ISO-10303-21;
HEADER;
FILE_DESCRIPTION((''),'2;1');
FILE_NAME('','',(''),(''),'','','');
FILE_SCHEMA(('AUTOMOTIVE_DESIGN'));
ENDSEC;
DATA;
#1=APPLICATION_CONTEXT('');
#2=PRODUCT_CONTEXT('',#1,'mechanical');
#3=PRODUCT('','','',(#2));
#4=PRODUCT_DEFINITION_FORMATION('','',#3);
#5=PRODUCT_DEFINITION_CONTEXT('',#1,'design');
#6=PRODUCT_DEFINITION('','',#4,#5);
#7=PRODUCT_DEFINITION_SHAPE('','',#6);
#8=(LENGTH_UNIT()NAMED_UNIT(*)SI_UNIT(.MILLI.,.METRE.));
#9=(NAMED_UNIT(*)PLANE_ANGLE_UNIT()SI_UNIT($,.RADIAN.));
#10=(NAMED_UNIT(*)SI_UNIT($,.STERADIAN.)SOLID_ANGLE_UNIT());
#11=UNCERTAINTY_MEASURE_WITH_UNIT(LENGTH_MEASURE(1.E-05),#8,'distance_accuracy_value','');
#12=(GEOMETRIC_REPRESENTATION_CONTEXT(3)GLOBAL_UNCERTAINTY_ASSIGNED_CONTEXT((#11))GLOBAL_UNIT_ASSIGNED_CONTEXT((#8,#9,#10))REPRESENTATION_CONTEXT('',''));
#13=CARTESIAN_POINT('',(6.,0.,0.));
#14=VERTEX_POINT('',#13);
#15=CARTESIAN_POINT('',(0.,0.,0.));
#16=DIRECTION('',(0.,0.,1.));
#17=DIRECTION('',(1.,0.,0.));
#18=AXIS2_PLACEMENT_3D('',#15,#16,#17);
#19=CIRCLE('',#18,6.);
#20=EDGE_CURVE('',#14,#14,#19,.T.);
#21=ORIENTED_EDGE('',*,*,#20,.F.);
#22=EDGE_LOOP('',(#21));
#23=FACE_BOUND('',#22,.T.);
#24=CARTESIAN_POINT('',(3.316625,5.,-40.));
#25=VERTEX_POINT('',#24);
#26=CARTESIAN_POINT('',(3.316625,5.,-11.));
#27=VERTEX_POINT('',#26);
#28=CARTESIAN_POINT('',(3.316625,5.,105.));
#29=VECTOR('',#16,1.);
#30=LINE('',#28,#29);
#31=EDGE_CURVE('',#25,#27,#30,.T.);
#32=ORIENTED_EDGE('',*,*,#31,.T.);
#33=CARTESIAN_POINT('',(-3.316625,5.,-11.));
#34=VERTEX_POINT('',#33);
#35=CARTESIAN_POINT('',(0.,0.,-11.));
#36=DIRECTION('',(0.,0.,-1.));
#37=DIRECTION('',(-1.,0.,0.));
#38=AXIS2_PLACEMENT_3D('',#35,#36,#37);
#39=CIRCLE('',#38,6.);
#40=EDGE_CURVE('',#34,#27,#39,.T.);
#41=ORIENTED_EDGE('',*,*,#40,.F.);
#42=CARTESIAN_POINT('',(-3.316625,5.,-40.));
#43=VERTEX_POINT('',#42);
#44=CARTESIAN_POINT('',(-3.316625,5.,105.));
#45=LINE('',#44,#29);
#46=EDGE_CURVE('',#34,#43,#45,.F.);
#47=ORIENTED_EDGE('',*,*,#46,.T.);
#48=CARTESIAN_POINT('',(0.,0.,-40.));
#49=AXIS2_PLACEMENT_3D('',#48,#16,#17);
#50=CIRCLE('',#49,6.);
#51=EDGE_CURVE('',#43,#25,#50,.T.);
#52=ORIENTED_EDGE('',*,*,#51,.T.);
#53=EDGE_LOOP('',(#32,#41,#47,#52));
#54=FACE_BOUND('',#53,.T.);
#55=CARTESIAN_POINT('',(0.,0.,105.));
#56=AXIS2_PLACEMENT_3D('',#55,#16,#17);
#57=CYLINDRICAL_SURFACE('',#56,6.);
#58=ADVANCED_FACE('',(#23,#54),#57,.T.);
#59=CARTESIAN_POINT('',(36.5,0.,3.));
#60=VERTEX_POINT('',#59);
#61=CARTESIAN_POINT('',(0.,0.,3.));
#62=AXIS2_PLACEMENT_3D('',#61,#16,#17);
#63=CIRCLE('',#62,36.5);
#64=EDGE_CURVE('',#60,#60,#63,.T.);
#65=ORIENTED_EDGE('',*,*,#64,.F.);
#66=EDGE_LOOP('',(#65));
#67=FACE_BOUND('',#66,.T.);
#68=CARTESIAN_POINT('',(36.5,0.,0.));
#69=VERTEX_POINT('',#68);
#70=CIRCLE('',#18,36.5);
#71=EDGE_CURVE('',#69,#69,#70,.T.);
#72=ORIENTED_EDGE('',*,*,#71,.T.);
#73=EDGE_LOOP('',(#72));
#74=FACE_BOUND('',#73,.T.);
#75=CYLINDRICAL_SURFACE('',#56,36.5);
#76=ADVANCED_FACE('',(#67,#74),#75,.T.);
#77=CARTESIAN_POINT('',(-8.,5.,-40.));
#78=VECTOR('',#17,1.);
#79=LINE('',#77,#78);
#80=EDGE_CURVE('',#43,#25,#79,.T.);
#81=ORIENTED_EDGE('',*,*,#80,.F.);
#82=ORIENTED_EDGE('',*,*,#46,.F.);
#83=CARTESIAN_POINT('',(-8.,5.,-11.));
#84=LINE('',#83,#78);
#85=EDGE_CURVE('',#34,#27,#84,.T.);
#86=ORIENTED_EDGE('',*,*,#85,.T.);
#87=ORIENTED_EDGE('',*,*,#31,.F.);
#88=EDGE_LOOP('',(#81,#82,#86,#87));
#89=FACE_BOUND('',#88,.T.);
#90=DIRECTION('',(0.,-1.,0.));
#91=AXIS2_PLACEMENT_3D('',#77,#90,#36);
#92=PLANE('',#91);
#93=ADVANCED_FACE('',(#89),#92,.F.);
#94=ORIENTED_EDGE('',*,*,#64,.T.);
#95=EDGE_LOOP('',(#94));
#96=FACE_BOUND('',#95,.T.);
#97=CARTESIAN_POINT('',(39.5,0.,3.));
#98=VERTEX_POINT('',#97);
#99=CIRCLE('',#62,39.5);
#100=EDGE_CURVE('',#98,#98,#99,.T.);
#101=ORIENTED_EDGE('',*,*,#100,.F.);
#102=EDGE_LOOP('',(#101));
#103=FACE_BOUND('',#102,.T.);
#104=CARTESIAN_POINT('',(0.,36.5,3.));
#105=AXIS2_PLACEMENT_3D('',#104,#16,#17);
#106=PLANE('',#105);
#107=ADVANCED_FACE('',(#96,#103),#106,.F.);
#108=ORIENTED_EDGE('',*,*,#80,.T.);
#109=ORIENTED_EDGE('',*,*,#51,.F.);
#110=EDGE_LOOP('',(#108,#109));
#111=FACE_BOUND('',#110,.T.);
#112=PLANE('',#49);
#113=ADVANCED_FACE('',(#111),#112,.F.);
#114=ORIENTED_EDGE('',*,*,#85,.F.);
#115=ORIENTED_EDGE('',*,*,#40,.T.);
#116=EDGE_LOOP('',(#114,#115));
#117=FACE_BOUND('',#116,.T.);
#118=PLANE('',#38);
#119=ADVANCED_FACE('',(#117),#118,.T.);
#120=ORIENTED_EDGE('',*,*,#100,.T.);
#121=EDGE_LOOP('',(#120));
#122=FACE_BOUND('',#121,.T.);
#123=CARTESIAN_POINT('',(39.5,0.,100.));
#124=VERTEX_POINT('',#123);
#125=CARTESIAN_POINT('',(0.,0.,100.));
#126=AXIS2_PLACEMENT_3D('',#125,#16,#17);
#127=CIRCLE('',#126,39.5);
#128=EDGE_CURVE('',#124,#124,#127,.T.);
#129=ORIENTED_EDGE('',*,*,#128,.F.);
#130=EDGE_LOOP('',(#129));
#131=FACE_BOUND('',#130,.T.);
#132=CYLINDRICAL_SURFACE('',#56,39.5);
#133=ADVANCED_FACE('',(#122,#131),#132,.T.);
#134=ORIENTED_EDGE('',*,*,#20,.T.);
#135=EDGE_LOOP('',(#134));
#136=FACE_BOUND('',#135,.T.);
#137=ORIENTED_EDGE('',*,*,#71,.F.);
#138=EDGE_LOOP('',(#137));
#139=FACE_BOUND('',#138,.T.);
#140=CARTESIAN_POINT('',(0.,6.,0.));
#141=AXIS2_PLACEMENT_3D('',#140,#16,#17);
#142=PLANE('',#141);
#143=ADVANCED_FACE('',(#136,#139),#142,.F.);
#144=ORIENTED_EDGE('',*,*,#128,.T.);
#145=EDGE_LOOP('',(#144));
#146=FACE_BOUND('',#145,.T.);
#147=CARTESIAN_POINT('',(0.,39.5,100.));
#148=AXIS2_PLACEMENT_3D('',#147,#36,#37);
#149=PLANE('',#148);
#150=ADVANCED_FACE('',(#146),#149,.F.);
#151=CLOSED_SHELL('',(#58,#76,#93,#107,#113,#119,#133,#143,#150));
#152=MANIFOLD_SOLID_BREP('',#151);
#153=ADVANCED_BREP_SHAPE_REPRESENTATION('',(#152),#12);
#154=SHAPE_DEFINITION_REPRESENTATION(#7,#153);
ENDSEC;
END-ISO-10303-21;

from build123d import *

# Parameters (mm, degrees)
CUT_EXTRUDE_START   = -11
SKETCH_2_W          = 16
SKETCH_2_H          = 5
CUT_EXTRUDE_4_DEPTH = 29


with BuildPart() as part:
    # 草图1 → 旋转1 (revolve)
    with BuildSketch(Plane(origin=(0, 0, 0), x_dir=(0, 0, -1), z_dir=(1, 0, 0)), mode=Mode.PRIVATE) as revolve_1_sk:
        Polygon((40, 0), (40, 6), (0, 6), (0, 36.5), (-3, 36.5), (-3, 39.5), (-100, 39.5), (-100, 0), align=None)
    revolve(revolve_1_sk.sketch.rotate(Axis((0, 0, 105), (0, 0, -1)), 90), axis=Axis((0, 0, 105), (0, 0, -1)))

    # 草图2 → 切除-拉伸4 (cut)
    with BuildSketch(Plane.XY.offset(CUT_EXTRUDE_START)):
        with Locations((0, 7.5)):
            Rectangle(SKETCH_2_W, SKETCH_2_H)
    extrude(amount=-CUT_EXTRUDE_4_DEPTH, mode=Mode.SUBTRACT)


solid = part.part
